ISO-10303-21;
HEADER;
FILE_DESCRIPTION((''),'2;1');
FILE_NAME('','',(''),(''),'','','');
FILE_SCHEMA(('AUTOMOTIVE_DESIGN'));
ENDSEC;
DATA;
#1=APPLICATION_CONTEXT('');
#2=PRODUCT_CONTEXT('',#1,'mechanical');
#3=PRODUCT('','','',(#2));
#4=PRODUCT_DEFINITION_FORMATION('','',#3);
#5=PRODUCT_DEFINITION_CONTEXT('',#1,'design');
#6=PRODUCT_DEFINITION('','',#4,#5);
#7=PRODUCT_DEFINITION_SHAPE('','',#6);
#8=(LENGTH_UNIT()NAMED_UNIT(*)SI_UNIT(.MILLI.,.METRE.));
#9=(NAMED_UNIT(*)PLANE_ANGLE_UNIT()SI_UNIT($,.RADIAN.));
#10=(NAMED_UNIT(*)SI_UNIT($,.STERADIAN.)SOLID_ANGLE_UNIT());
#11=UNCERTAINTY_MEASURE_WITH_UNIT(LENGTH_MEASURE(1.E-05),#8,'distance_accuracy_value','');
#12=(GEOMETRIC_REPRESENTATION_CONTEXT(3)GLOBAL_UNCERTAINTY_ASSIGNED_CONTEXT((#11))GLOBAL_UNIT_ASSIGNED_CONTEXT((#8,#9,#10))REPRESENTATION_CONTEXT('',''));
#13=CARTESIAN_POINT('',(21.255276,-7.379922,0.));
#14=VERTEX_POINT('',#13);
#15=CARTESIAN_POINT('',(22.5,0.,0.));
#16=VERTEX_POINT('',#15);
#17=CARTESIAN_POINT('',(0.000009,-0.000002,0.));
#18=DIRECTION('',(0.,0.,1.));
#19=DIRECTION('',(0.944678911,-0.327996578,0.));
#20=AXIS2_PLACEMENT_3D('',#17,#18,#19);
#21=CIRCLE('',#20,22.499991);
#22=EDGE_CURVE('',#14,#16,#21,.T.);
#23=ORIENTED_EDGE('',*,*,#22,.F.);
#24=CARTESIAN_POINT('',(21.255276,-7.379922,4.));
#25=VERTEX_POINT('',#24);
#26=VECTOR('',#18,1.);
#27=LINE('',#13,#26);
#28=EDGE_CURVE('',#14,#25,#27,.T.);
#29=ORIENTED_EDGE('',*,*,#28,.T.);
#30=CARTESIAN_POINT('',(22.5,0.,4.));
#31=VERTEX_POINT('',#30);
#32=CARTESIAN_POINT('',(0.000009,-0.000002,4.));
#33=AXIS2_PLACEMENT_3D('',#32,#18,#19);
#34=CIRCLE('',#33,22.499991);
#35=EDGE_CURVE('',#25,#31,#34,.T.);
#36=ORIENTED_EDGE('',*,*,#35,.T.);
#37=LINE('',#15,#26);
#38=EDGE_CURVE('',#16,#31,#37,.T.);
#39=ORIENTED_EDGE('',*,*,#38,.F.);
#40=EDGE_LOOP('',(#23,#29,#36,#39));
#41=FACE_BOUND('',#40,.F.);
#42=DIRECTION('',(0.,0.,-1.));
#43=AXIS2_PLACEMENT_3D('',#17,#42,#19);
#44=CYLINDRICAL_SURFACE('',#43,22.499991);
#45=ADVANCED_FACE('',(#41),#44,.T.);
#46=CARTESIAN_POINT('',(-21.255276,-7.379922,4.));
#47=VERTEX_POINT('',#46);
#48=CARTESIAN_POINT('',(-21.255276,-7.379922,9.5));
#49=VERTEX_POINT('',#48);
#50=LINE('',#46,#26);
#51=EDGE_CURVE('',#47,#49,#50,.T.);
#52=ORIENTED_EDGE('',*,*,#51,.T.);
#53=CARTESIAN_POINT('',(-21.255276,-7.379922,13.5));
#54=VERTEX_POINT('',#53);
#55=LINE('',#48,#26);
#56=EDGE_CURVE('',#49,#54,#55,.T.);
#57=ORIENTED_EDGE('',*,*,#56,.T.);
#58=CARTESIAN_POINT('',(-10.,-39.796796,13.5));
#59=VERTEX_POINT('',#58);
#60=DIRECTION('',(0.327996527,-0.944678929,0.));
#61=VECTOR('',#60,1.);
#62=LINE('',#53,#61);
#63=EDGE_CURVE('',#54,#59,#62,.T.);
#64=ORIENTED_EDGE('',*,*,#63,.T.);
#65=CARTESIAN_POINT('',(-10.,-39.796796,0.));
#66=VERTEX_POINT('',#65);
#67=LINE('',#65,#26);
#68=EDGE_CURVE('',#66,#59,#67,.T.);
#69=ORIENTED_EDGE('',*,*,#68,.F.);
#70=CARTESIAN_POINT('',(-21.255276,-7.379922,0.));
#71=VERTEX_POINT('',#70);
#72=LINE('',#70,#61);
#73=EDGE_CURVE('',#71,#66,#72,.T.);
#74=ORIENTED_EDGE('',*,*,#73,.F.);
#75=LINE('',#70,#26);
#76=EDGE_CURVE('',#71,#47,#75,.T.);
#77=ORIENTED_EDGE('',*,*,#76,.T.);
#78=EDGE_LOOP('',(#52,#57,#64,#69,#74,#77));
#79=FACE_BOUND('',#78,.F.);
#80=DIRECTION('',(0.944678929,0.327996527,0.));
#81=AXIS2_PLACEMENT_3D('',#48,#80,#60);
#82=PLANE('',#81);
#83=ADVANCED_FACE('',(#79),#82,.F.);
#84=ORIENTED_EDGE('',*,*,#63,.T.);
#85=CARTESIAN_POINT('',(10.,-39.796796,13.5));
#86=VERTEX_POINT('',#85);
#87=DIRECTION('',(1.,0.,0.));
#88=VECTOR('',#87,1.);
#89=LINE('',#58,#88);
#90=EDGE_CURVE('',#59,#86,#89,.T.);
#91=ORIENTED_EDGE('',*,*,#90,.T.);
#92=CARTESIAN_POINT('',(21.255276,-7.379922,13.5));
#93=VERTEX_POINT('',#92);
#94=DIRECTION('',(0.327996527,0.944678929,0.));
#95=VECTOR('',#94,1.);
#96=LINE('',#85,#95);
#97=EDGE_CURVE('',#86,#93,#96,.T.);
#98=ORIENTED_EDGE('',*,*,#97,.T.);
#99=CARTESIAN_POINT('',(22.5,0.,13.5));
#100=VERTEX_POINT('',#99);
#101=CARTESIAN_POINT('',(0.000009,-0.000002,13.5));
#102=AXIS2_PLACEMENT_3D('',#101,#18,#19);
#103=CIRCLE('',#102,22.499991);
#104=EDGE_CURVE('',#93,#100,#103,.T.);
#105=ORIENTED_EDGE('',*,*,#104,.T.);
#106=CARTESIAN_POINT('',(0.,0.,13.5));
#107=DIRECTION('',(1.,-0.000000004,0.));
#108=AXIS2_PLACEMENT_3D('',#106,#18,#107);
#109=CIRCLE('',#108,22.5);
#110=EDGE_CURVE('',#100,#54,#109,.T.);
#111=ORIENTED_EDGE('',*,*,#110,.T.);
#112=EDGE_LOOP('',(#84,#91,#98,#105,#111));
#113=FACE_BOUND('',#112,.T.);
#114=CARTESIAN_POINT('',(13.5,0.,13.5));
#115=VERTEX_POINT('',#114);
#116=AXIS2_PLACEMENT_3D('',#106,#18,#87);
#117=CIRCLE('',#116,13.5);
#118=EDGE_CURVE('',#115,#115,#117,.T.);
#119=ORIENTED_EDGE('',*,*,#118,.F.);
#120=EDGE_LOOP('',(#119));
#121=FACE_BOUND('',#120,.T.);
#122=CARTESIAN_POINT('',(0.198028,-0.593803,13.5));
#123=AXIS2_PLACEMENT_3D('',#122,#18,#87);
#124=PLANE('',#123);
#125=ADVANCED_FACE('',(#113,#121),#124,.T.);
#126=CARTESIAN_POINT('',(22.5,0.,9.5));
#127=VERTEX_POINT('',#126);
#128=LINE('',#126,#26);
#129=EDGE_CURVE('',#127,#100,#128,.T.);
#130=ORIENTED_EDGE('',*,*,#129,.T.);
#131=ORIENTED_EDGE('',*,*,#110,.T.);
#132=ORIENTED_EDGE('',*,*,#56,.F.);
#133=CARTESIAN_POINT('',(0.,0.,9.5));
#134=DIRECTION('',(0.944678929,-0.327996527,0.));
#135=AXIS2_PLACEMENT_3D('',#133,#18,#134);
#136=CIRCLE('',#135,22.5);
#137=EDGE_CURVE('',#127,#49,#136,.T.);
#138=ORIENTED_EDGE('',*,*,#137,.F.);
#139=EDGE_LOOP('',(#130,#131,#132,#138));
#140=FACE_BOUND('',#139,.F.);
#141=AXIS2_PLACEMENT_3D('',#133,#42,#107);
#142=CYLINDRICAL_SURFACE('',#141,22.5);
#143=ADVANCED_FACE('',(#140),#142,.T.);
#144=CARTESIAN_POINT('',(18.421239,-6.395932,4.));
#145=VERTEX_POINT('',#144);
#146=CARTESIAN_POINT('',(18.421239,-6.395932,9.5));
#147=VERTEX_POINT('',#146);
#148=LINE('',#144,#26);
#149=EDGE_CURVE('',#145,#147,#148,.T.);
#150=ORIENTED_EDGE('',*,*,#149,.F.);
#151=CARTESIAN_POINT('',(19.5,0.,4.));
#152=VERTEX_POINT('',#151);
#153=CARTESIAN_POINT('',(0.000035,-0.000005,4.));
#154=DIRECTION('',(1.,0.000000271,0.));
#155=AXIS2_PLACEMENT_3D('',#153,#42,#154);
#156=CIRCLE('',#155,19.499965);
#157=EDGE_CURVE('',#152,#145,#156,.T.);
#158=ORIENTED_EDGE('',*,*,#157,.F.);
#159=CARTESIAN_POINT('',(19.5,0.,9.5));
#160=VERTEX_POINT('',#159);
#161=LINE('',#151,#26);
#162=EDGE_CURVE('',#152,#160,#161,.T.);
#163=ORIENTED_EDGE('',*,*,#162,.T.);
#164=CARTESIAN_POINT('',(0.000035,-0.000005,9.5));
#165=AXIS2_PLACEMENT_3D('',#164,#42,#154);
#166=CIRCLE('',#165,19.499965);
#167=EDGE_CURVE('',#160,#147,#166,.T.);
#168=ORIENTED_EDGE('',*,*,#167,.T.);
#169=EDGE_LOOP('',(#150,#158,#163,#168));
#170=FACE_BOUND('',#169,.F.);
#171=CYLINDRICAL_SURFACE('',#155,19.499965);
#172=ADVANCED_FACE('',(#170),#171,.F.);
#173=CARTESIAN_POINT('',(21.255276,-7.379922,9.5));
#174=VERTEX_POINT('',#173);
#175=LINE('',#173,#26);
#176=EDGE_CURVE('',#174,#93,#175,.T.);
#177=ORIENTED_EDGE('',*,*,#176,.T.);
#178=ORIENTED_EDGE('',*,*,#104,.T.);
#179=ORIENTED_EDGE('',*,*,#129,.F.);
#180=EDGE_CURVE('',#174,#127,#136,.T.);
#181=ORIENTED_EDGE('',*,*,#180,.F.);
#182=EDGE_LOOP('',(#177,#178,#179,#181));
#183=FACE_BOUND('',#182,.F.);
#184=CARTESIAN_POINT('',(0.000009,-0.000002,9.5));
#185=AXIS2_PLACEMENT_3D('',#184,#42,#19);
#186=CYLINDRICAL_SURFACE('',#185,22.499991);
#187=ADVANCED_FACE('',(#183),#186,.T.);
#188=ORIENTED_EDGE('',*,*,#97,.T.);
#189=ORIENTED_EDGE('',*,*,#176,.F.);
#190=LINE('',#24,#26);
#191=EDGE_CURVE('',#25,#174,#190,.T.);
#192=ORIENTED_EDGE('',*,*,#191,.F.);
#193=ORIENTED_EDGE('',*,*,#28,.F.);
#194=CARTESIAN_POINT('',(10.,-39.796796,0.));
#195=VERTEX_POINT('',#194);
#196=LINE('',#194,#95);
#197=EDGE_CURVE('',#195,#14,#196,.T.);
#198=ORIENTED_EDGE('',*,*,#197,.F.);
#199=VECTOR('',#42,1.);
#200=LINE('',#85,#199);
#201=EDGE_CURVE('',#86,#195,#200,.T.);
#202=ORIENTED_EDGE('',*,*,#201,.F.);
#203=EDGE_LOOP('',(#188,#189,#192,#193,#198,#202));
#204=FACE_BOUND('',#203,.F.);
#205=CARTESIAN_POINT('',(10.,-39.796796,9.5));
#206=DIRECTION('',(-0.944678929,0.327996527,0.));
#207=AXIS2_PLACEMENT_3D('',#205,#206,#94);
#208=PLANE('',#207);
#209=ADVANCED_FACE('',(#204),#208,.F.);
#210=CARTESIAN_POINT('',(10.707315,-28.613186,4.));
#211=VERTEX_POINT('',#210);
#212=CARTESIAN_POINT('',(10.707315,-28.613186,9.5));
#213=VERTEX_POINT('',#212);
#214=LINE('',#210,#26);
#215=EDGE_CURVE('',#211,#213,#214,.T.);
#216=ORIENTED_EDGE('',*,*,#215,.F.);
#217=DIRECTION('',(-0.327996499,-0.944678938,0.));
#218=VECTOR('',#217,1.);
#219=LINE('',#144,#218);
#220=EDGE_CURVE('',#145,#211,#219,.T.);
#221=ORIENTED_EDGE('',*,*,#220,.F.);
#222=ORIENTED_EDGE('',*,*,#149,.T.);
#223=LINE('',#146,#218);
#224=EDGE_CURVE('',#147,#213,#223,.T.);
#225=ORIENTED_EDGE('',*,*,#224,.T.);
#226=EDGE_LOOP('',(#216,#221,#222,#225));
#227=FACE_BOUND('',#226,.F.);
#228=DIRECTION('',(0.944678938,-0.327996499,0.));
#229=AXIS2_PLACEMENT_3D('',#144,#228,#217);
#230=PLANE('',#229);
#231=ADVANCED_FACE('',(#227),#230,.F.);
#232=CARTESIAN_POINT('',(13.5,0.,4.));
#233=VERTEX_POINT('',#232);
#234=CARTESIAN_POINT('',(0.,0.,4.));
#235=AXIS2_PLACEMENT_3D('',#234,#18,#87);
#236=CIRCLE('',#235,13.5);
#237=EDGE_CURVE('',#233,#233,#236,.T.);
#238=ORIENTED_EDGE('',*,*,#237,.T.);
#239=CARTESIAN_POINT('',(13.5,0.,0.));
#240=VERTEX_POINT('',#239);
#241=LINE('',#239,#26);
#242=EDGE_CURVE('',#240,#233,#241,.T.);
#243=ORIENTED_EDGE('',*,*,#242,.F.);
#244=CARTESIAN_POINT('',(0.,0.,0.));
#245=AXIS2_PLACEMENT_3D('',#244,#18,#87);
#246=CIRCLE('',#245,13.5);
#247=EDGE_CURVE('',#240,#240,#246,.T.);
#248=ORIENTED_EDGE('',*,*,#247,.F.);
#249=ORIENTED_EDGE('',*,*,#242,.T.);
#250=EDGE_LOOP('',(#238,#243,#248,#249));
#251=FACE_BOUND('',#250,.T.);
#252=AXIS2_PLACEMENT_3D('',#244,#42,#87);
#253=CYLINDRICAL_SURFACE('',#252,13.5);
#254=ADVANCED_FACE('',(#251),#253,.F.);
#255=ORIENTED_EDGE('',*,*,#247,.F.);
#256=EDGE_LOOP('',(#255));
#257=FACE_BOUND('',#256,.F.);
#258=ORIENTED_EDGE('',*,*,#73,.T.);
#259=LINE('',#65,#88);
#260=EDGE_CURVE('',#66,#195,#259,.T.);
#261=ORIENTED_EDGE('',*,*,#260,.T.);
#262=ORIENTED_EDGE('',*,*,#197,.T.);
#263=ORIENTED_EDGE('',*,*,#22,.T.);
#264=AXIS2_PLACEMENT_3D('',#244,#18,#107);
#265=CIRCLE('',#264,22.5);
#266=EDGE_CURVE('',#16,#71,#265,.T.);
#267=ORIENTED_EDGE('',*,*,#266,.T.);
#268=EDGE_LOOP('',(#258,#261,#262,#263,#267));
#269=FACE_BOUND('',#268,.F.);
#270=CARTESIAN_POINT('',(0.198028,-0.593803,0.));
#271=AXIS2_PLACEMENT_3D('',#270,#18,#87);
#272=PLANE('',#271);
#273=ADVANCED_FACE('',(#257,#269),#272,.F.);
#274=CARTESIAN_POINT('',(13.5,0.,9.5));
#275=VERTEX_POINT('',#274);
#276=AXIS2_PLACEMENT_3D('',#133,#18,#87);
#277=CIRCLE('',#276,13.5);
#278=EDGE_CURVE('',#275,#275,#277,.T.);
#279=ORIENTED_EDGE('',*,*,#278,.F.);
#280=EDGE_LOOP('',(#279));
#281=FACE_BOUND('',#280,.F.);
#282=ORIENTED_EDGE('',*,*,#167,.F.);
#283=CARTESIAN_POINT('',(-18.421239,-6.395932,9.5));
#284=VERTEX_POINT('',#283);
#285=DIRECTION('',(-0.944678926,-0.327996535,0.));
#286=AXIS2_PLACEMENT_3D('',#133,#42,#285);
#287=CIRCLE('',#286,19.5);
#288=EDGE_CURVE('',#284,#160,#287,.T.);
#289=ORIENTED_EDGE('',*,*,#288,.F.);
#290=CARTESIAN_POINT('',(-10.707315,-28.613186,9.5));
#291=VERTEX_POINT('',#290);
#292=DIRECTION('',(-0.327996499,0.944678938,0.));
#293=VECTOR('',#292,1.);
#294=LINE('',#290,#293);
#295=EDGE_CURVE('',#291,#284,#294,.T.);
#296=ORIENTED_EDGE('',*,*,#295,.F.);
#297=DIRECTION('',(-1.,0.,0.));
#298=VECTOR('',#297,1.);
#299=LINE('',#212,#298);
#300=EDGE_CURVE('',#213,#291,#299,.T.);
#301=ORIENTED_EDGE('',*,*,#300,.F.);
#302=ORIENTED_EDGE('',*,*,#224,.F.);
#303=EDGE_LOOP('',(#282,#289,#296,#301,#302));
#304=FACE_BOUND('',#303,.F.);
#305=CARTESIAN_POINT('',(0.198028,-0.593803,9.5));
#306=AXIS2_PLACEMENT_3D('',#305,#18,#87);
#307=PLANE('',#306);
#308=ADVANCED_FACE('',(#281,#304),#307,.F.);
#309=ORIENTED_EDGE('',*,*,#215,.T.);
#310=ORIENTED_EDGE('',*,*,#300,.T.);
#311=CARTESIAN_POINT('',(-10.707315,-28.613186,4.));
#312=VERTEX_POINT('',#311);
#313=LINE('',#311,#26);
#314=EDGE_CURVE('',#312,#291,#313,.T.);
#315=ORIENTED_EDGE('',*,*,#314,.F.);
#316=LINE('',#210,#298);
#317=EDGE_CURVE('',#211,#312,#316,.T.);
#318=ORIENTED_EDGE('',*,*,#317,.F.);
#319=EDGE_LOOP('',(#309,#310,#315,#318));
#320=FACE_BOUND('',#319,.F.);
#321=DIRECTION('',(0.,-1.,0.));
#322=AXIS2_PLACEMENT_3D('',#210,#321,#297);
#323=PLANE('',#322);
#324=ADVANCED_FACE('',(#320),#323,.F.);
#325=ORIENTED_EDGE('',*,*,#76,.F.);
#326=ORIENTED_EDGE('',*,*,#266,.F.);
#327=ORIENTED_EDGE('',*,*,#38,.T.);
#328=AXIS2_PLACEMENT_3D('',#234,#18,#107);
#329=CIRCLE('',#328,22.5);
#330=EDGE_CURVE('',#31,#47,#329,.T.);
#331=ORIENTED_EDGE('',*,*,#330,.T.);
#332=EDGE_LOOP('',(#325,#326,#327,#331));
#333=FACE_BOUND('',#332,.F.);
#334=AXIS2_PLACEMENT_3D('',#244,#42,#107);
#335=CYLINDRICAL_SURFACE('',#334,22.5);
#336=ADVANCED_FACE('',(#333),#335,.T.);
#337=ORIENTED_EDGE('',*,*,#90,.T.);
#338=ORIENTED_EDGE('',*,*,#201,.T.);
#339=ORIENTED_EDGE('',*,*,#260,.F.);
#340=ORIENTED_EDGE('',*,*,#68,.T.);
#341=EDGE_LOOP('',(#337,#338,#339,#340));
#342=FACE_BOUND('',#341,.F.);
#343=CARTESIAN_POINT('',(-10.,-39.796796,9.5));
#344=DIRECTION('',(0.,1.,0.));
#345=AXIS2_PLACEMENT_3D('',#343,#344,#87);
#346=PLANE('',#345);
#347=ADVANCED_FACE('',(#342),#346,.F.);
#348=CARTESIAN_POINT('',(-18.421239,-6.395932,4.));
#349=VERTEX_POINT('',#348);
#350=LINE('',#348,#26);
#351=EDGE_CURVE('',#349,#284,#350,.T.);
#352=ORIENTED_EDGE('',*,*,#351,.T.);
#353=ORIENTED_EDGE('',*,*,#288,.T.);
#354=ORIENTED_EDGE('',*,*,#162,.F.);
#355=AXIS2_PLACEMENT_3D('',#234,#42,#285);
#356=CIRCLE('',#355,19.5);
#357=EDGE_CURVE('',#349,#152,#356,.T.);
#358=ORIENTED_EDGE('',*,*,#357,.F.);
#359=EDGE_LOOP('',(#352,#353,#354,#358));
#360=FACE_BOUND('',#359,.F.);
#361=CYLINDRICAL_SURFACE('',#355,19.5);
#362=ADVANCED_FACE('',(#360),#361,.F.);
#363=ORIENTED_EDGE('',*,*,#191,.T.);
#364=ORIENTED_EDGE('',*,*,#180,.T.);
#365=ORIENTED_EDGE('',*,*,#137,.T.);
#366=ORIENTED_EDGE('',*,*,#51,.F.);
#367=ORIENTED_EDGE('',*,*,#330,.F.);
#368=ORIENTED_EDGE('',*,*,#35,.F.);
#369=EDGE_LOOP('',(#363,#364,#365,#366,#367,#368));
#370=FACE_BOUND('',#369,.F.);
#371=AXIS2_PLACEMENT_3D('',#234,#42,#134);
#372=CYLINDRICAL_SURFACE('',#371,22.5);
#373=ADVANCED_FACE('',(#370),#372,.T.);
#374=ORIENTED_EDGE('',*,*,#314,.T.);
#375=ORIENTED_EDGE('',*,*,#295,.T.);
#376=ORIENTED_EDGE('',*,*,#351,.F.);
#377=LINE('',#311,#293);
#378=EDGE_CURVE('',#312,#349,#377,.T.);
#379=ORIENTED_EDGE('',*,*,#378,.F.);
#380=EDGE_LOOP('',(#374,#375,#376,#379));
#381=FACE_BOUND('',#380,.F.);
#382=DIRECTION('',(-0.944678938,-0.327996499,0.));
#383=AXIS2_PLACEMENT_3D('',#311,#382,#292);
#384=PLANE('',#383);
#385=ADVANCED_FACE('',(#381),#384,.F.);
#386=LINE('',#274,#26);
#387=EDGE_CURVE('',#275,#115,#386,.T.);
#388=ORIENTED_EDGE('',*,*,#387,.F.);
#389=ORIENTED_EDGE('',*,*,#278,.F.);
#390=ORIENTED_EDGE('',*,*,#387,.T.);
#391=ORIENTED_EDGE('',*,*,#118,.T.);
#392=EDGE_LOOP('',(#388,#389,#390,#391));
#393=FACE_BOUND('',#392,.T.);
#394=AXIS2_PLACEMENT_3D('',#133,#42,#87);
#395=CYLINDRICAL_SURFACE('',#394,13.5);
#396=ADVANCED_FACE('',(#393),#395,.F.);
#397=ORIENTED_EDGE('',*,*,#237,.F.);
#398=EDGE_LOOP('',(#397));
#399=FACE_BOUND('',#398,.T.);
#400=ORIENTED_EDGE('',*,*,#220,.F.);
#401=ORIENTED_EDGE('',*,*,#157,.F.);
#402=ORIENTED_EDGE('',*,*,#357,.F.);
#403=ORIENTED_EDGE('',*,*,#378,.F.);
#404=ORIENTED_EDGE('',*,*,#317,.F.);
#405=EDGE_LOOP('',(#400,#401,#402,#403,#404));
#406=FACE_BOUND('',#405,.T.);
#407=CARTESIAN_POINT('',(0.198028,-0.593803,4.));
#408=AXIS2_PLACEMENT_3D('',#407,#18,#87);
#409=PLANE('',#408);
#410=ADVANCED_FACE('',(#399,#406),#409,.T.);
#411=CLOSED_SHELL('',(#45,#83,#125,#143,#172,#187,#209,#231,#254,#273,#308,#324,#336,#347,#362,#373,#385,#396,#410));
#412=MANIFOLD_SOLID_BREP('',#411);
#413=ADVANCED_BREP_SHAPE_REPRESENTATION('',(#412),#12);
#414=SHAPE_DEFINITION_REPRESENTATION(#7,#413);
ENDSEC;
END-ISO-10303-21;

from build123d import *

# Parameters (mm, degrees)
F0_R     = 13.5
F1_DEPTH = 4
F3_DEPTH = 5.5
F4_R     = 13.5
F5_DEPTH = 4


with BuildPart() as f1:
    # F0 (on Top) → F1 (new body)
    with BuildSketch(Plane.XY):
        with BuildLine():
            ThreePointArc((21.255276, -7.379922), (22.186637, -3.742078), (22.5, 0))
            ThreePointArc((22.5, 0), (-3.742078, 22.186637), (-21.255276, -7.379922))
            ThreePointArc((-21.255276, -7.379922), (0, -22.5), (21.255276, -7.379922))
        make_face()
        Circle(F0_R, mode=Mode.SUBTRACT)
        with BuildLine():
            ThreePointArc((21.255276, -7.379922), (0, -22.5), (-21.255276, -7.379922))
            Line((-21.255276, -7.379922), (-10, -39.796796))
            Line((-10, -39.796796), (0, -39.796796))
            Line((0, -39.796796), (10, -39.796796))
            Line((10, -39.796796), (21.255276, -7.379922))
        make_face()
    extrude(amount=F1_DEPTH)

    # F2 (on face) → F3 (join)
    with BuildSketch(Plane.XY.offset(4)):
        with BuildLine():
            Line((10, -39.796796), (21.255276, -7.379922))
            ThreePointArc((21.255276, -7.379922), (0, 22.5), (-21.255276, -7.379922))
            Line((-21.255276, -7.379922), (-10, -39.796796))
            Line((-10, -39.796796), (10, -39.796796))
        make_face()
        with BuildLine():
            ThreePointArc((-18.421239, -6.395932), (-3.243134, 19.228419), (19.5, 0))
            ThreePointArc((19.5, 0), (19.228419, -3.243134), (18.421239, -6.395932))
            Line((18.421239, -6.395932), (10.707315, -28.613186))
            Line((10.707315, -28.613186), (-10.707315, -28.613186))
            Line((-10.707315, -28.613186), (-18.421239, -6.395932))
        make_face(mode=Mode.SUBTRACT)
    extrude(amount=F3_DEPTH)

    # F4 (on face) + F0 (on Top) → F5 (join)
    with BuildSketch(Plane.XY.offset(9.5)):
        with BuildLine():
            ThreePointArc((21.255276, -7.379922), (22.186637, -3.742078), (22.5, 0))
            ThreePointArc((22.5, 0), (-3.742078, 22.186637), (-21.255276, -7.379922))
            ThreePointArc((-21.255276, -7.379922), (0, -22.5), (21.255276, -7.379922))
        make_face()
        Circle(F4_R, mode=Mode.SUBTRACT)
        with BuildLine():
            ThreePointArc((21.255276, -7.379922), (0, -22.5), (-21.255276, -7.379922))
            Line((-21.255276, -7.379922), (-10, -39.796796))
            Line((-10, -39.796796), (0, -39.796796))
            Line((0, -39.796796), (10, -39.796796))
            Line((10, -39.796796), (21.255276, -7.379922))
        make_face()
    with BuildSketch(Plane.XY):
        with BuildLine():
            ThreePointArc((21.255276, -7.379922), (22.186637, -3.742078), (22.5, 0))
            ThreePointArc((22.5, 0), (-3.742078, 22.186637), (-21.255276, -7.379922))
            ThreePointArc((-21.255276, -7.379922), (0, -22.5), (21.255276, -7.379922))
        make_face()
        Circle(F0_R, mode=Mode.SUBTRACT)
        with BuildLine():
            ThreePointArc((21.255276, -7.379922), (0, -22.5), (-21.255276, -7.379922))
            Line((-21.255276, -7.379922), (-10, -39.796796))
            Line((-10, -39.796796), (0, -39.796796))
            Line((0, -39.796796), (10, -39.796796))
            Line((10, -39.796796), (21.255276, -7.379922))
        make_face()
    extrude(amount=F5_DEPTH)


solid = f1.part
